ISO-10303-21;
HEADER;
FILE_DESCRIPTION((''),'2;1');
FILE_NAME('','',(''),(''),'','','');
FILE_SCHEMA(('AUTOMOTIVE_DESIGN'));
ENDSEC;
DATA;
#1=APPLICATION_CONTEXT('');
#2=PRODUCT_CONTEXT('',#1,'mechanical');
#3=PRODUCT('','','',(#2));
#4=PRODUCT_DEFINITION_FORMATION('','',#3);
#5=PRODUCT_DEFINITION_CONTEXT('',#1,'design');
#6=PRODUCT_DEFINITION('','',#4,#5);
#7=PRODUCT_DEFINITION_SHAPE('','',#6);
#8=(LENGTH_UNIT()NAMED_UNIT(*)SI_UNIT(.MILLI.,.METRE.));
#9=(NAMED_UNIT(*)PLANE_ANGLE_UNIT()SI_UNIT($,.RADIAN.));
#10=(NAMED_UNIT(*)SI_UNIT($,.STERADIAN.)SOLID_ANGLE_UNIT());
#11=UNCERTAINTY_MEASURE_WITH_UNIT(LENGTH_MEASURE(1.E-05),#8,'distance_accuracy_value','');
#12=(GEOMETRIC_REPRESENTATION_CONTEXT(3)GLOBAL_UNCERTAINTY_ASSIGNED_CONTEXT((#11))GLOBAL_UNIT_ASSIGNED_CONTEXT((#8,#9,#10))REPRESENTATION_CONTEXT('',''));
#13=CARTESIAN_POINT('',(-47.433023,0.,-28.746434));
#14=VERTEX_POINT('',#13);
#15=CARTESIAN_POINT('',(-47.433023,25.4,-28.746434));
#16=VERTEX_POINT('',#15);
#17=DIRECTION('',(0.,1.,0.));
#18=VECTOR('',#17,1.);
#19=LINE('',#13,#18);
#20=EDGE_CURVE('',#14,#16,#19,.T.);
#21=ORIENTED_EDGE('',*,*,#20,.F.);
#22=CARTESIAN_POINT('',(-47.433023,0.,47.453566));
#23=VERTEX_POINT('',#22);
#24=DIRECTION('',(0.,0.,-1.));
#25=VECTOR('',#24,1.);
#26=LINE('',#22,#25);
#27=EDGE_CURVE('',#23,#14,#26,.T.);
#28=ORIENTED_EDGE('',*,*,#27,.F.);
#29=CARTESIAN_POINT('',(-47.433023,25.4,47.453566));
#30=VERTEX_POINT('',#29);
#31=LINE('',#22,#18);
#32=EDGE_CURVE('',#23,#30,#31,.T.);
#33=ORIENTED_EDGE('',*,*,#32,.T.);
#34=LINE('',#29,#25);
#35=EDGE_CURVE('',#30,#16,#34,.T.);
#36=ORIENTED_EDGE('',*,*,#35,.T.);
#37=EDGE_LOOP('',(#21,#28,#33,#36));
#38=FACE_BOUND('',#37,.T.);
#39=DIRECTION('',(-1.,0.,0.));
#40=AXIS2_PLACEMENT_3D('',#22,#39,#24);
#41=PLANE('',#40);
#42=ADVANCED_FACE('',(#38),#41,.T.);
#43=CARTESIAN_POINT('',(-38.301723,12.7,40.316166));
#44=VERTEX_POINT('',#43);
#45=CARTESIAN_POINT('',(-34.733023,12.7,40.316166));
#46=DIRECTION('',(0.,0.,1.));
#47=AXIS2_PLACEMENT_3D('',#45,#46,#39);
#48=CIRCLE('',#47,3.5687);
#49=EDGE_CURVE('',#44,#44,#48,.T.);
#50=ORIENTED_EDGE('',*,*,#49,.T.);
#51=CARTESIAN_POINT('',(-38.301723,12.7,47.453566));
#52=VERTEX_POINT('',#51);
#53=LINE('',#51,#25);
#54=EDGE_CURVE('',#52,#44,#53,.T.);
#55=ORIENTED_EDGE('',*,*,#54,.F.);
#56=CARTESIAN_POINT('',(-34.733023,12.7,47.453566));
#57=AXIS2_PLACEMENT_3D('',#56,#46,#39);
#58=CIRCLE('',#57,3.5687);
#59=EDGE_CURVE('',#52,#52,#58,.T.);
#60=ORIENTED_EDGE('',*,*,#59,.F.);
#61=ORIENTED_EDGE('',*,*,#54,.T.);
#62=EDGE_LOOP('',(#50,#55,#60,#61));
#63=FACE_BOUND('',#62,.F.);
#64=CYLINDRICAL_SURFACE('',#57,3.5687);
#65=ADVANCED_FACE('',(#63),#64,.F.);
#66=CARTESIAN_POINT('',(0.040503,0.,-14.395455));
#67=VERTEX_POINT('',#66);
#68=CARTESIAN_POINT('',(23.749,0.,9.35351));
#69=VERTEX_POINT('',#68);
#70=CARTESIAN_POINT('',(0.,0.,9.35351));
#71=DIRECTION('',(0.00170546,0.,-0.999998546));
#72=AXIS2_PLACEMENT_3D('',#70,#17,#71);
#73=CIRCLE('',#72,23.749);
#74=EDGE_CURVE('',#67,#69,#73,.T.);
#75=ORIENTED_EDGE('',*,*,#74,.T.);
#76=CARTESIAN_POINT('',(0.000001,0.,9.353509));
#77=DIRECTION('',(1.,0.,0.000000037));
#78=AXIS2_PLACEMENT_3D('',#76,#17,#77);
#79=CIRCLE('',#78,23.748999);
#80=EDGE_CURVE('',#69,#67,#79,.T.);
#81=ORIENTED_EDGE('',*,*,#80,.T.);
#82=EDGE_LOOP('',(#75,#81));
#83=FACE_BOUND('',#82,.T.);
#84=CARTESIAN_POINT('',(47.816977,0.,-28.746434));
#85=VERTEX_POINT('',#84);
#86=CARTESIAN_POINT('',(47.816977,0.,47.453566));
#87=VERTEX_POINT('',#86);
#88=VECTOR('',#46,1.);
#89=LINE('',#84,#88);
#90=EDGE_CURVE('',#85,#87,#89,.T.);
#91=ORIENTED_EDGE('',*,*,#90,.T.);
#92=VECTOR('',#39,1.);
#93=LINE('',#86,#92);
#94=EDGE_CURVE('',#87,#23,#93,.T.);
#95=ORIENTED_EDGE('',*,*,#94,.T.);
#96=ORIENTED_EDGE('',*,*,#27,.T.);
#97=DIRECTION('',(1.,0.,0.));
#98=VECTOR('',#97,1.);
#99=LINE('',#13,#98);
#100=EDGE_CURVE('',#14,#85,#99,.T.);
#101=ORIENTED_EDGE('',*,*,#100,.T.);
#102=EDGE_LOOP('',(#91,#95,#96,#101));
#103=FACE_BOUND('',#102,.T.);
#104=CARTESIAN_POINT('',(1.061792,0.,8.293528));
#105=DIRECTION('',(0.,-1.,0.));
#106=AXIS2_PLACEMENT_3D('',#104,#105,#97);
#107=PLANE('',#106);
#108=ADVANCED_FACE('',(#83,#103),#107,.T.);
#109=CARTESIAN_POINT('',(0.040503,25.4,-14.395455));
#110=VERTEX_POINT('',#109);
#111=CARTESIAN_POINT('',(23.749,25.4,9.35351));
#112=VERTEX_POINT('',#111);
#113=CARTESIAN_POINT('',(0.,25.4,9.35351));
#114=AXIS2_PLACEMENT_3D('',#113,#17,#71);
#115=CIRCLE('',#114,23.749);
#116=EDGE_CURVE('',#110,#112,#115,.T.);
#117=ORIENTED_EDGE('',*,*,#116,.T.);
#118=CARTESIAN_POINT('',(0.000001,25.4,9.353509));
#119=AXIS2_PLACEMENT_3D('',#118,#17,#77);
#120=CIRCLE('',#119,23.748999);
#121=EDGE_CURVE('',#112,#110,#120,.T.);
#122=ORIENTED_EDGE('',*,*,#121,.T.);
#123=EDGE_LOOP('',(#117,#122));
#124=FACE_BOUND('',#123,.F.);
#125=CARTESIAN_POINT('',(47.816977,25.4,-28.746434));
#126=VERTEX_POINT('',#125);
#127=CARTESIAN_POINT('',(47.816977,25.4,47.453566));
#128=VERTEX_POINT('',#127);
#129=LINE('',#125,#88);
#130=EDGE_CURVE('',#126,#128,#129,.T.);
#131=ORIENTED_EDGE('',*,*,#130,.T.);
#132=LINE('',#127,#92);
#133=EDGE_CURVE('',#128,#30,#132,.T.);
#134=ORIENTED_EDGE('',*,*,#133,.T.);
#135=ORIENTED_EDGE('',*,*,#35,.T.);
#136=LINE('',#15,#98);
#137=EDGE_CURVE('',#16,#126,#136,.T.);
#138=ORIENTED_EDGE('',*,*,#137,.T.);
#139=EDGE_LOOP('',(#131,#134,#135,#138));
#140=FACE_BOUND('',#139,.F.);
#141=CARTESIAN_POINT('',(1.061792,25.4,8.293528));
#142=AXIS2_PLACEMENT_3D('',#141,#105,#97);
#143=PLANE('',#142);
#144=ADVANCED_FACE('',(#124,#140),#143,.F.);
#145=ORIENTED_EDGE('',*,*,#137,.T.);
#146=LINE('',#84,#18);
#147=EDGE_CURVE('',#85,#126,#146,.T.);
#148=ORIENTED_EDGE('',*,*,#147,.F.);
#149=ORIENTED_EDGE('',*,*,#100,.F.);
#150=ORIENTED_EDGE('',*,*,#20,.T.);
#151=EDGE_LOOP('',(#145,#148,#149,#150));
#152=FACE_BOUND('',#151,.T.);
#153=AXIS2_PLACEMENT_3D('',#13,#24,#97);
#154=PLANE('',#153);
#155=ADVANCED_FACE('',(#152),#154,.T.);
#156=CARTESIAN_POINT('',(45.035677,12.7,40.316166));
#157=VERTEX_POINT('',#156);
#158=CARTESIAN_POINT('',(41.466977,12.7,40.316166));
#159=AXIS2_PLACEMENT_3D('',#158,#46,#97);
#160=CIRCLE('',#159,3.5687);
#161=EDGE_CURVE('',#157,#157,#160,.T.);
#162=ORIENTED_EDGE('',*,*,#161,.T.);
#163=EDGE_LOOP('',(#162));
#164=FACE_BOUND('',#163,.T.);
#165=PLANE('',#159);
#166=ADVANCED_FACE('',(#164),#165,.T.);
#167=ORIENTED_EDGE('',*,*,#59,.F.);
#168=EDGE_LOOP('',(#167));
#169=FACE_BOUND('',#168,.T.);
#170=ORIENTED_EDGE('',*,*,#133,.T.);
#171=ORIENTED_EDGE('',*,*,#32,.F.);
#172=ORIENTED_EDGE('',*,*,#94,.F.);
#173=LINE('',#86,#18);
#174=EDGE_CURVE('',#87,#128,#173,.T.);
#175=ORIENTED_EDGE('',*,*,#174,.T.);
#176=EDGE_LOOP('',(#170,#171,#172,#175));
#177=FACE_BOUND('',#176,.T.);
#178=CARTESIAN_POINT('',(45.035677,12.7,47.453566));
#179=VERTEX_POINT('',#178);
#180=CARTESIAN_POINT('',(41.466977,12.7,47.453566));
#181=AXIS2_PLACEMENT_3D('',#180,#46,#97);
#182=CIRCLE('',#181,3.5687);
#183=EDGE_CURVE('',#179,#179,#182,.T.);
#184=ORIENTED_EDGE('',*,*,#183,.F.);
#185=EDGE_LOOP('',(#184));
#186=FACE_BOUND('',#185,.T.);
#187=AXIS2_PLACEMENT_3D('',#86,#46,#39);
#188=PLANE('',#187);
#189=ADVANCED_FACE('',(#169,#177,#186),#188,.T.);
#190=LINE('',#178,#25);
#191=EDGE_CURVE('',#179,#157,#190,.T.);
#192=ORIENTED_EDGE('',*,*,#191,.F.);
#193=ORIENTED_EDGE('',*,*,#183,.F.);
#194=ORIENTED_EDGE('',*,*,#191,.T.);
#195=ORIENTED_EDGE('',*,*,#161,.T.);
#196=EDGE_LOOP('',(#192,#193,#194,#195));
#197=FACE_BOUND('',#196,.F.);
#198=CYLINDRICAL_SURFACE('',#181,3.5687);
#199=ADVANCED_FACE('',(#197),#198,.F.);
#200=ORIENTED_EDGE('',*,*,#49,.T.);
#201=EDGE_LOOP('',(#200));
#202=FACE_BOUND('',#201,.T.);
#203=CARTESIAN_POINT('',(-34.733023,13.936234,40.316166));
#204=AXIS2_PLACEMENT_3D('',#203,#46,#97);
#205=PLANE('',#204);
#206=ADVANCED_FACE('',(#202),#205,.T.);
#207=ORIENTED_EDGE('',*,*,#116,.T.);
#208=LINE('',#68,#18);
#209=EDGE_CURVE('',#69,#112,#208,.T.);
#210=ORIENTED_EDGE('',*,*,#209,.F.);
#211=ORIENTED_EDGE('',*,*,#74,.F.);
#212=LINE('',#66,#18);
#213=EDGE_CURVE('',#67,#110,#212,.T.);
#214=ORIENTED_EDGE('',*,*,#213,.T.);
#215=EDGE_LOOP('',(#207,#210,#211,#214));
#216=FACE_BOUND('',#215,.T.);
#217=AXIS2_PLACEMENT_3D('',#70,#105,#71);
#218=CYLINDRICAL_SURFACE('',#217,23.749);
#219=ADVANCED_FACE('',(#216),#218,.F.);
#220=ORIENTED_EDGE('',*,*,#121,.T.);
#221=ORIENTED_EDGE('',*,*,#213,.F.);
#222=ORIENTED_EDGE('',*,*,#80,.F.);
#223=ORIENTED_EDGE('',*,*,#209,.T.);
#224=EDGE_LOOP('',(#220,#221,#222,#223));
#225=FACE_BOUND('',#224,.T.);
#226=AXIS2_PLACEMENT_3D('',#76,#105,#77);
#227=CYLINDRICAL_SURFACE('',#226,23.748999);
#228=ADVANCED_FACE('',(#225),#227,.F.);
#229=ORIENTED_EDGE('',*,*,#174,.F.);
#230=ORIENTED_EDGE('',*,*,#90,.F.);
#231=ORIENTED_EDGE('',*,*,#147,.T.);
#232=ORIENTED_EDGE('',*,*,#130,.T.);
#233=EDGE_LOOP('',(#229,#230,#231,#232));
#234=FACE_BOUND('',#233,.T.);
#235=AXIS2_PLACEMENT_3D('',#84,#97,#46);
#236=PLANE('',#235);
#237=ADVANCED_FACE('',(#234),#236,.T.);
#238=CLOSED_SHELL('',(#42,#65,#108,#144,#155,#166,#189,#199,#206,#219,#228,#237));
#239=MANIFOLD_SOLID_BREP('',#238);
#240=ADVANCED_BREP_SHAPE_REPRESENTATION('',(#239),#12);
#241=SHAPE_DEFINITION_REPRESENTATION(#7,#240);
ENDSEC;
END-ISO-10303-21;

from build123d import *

# Parameters (mm, degrees)
F1_DEPTH = 25.4
F3_DEPTH = 7.1374
F5_DEPTH = 7.1374


with BuildPart() as f1:
    # F0 (on Front) → F1 (new body)
    with BuildSketch(Plane.XZ):
        with BuildLine():
            ThreePointArc((23.749, 9.35351), (-16.807393, 26.132263), (0.040503, -14.395455))
            ThreePointArc((0.040503, -14.395455), (16.807393, -7.425243), (23.749, 9.35351))
        make_face()
        Polygon((47.816977, 47.453566), (-47.433023, 47.453566), (-47.433023, -28.746434), (0.064977, -28.746434), (47.816977, -28.746434), align=None)
        with BuildLine():
            ThreePointArc((23.749, 9.35351), (16.807393, -7.425243), (0.040503, -14.395455))
            ThreePointArc((0.040503, -14.395455), (-16.807393, 26.132263), (23.749, 9.35351))
        make_face(mode=Mode.SUBTRACT)
    extrude(amount=-F1_DEPTH)

    # F2 (on face) → F3 (cut)
    with BuildSketch(Plane.XY.offset(47.453566)):
        with BuildLine():
            ThreePointArc((-31.164323, 12.7), (-34.733023, 16.2687), (-38.301723, 12.7))
            Line((-38.301723, 12.7), (-34.733023, 12.7))
            Line((-34.733023, 12.7), (-31.164323, 12.7))
        make_face()
        with BuildLine():
            Line((-34.733023, 12.7), (-38.301723, 12.7))
            ThreePointArc((-38.301723, 12.7), (-34.733023, 9.1313), (-31.164323, 12.7))
            Line((-31.164323, 12.7), (-34.733023, 12.7))
        make_face()
    extrude(amount=-F3_DEPTH, mode=Mode.SUBTRACT)

    # F4 (on face) → F5 (cut)
    with BuildSketch(Plane.XY.offset(47.453566)):
        with BuildLine():
            ThreePointArc((37.898277, 12.7), (41.466977, 9.1313), (45.035677, 12.7))
            ThreePointArc((45.035677, 12.7), (41.466977, 16.2687), (37.898277, 12.7))
        make_face()
    extrude(amount=-F5_DEPTH, mode=Mode.SUBTRACT)


solid = f1.part
